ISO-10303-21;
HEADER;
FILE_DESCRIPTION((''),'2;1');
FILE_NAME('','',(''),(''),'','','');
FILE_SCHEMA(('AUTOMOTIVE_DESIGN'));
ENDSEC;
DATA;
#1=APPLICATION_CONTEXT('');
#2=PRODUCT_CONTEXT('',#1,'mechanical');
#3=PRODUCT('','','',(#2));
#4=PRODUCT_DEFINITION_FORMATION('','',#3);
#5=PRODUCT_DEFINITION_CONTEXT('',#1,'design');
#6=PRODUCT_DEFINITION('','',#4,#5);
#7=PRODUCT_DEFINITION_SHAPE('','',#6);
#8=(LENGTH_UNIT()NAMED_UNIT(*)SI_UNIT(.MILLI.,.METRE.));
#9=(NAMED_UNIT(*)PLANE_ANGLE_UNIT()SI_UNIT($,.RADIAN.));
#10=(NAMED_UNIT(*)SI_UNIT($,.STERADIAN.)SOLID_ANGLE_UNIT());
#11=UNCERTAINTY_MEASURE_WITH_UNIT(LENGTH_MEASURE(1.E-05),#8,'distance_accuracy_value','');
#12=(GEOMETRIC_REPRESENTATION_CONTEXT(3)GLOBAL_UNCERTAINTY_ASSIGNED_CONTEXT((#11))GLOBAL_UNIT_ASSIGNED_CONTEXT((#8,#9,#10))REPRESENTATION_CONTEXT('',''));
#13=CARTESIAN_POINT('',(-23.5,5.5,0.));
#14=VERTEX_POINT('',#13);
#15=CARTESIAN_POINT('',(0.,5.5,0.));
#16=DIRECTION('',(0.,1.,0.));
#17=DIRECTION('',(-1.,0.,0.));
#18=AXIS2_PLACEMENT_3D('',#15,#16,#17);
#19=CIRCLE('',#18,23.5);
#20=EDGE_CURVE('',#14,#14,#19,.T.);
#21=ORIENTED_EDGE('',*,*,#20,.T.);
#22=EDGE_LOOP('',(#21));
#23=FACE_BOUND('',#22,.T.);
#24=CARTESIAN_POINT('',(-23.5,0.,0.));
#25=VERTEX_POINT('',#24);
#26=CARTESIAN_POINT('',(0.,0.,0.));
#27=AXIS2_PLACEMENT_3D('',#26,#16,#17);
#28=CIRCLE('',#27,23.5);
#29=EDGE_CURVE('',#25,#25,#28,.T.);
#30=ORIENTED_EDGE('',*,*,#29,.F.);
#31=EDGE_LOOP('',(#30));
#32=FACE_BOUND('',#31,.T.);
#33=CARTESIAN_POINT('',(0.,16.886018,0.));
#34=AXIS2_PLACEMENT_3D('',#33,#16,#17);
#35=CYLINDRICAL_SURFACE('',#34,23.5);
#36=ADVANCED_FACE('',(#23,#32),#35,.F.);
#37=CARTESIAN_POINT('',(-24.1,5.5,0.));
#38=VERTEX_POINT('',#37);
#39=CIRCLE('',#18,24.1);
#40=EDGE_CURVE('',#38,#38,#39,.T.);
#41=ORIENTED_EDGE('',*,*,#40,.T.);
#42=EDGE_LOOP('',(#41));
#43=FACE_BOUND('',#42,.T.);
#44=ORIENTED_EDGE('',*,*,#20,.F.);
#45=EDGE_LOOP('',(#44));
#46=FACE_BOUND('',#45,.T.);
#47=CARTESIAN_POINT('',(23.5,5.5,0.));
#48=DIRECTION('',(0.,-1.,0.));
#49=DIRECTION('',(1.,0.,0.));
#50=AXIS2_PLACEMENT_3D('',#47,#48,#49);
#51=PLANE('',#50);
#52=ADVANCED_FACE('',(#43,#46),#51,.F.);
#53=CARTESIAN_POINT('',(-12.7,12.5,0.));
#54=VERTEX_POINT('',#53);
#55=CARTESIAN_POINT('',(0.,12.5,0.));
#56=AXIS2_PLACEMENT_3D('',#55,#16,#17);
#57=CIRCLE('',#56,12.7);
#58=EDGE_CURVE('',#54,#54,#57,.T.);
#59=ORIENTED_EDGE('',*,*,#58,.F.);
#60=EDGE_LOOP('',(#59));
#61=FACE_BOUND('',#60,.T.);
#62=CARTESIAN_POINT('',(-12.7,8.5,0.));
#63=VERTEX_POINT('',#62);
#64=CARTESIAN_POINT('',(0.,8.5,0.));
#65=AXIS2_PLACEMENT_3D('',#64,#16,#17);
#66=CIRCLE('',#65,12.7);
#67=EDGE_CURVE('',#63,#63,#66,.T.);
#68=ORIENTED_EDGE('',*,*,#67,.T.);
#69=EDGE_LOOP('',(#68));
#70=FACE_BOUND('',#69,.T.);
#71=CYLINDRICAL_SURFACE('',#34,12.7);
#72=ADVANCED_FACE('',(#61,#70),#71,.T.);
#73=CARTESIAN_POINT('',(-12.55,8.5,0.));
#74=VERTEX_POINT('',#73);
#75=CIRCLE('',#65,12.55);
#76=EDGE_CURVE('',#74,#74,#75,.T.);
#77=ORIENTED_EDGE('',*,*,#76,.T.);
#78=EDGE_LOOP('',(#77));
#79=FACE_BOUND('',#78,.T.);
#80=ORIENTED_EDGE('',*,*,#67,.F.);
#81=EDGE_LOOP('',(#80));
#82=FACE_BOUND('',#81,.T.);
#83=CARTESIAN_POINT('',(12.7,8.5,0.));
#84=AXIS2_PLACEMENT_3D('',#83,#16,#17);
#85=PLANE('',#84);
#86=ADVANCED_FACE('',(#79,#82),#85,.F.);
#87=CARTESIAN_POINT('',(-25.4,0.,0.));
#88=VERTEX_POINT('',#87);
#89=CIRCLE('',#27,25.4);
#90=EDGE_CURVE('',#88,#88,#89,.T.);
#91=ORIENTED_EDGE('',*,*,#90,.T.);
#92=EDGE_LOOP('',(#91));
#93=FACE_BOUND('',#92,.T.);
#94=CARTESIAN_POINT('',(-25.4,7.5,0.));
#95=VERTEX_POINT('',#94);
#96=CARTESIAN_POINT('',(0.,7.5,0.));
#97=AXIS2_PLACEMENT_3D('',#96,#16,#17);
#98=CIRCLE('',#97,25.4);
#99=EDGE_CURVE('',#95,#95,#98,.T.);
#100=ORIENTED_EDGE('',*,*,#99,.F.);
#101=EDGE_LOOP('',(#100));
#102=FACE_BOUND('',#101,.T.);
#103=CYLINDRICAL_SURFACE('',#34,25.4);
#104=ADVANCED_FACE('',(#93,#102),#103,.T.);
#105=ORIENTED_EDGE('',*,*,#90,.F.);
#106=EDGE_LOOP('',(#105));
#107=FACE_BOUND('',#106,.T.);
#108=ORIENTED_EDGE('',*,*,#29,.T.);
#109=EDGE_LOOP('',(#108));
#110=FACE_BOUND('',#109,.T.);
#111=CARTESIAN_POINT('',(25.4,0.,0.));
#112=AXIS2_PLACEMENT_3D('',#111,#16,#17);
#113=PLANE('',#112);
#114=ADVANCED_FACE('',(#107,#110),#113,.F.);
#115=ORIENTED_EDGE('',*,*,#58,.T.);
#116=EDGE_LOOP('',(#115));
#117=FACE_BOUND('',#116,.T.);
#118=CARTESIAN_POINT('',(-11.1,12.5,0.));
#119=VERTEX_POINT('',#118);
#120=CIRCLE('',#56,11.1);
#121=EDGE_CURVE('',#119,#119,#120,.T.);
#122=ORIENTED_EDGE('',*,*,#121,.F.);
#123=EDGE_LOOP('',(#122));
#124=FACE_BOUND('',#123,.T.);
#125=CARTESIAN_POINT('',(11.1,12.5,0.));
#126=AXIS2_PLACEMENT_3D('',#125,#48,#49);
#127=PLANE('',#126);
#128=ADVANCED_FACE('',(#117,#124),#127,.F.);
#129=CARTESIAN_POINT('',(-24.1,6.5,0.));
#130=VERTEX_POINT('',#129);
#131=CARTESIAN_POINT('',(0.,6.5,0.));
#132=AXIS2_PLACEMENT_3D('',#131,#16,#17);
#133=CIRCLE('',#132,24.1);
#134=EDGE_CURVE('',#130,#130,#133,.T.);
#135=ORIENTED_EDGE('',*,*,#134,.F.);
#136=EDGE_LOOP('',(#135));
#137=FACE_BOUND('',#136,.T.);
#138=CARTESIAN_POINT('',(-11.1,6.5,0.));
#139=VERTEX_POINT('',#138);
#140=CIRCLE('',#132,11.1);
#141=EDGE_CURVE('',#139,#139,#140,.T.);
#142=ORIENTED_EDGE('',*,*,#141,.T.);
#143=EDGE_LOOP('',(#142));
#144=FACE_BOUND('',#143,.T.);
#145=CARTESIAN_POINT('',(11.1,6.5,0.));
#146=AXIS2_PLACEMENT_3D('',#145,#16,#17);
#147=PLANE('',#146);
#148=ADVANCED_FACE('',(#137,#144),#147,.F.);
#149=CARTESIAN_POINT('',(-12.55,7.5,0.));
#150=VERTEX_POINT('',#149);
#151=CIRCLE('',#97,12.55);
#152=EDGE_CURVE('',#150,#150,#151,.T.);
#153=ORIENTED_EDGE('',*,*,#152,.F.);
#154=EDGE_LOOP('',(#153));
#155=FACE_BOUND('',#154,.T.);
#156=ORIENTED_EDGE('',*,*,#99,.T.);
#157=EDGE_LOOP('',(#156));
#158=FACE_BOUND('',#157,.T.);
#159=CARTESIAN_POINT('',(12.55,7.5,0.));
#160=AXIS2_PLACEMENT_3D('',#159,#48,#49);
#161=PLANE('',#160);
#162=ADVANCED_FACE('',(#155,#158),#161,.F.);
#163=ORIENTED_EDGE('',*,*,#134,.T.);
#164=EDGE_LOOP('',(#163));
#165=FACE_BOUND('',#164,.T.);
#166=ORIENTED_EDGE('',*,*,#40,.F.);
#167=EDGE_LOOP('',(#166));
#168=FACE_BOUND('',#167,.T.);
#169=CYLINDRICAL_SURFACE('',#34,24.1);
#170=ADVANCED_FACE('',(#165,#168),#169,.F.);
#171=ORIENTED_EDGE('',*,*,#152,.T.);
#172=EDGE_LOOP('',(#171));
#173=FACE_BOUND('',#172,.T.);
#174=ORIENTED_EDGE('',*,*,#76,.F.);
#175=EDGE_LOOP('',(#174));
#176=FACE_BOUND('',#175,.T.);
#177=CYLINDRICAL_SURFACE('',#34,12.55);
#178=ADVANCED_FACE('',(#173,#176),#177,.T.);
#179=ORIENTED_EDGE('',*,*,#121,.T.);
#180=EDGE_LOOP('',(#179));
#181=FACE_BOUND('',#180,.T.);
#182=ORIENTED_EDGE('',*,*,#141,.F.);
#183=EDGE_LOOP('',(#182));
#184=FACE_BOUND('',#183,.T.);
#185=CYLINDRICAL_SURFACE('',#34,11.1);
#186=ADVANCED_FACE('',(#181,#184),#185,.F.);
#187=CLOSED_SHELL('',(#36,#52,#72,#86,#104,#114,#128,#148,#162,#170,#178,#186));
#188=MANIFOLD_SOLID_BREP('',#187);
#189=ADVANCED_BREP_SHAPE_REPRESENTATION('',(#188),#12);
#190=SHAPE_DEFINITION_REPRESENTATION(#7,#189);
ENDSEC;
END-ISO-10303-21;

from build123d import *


with BuildPart() as part:
    # 草图1 → 旋转1 (revolve)
    with BuildSketch(Plane.XY, mode=Mode.PRIVATE) as revolve_1_sk:
        Polygon((23.5, 0), (23.5, 5.5), (24.1, 5.5), (24.1, 6.5), (11.1, 6.5), (11.1, 12.5), (12.7, 12.5), (12.7, 8.5), (12.55, 8.5), (12.55, 7.5), (25.4, 7.5), (25.4, 0), align=None)
    revolve(revolve_1_sk.sketch.rotate(Axis((0, 16.886018237, 0), (0, -1, 0)), 180), axis=Axis((0, 16.886018237, 0), (0, -1, 0)))  # turned: the seam where the file's is


solid = part.part
